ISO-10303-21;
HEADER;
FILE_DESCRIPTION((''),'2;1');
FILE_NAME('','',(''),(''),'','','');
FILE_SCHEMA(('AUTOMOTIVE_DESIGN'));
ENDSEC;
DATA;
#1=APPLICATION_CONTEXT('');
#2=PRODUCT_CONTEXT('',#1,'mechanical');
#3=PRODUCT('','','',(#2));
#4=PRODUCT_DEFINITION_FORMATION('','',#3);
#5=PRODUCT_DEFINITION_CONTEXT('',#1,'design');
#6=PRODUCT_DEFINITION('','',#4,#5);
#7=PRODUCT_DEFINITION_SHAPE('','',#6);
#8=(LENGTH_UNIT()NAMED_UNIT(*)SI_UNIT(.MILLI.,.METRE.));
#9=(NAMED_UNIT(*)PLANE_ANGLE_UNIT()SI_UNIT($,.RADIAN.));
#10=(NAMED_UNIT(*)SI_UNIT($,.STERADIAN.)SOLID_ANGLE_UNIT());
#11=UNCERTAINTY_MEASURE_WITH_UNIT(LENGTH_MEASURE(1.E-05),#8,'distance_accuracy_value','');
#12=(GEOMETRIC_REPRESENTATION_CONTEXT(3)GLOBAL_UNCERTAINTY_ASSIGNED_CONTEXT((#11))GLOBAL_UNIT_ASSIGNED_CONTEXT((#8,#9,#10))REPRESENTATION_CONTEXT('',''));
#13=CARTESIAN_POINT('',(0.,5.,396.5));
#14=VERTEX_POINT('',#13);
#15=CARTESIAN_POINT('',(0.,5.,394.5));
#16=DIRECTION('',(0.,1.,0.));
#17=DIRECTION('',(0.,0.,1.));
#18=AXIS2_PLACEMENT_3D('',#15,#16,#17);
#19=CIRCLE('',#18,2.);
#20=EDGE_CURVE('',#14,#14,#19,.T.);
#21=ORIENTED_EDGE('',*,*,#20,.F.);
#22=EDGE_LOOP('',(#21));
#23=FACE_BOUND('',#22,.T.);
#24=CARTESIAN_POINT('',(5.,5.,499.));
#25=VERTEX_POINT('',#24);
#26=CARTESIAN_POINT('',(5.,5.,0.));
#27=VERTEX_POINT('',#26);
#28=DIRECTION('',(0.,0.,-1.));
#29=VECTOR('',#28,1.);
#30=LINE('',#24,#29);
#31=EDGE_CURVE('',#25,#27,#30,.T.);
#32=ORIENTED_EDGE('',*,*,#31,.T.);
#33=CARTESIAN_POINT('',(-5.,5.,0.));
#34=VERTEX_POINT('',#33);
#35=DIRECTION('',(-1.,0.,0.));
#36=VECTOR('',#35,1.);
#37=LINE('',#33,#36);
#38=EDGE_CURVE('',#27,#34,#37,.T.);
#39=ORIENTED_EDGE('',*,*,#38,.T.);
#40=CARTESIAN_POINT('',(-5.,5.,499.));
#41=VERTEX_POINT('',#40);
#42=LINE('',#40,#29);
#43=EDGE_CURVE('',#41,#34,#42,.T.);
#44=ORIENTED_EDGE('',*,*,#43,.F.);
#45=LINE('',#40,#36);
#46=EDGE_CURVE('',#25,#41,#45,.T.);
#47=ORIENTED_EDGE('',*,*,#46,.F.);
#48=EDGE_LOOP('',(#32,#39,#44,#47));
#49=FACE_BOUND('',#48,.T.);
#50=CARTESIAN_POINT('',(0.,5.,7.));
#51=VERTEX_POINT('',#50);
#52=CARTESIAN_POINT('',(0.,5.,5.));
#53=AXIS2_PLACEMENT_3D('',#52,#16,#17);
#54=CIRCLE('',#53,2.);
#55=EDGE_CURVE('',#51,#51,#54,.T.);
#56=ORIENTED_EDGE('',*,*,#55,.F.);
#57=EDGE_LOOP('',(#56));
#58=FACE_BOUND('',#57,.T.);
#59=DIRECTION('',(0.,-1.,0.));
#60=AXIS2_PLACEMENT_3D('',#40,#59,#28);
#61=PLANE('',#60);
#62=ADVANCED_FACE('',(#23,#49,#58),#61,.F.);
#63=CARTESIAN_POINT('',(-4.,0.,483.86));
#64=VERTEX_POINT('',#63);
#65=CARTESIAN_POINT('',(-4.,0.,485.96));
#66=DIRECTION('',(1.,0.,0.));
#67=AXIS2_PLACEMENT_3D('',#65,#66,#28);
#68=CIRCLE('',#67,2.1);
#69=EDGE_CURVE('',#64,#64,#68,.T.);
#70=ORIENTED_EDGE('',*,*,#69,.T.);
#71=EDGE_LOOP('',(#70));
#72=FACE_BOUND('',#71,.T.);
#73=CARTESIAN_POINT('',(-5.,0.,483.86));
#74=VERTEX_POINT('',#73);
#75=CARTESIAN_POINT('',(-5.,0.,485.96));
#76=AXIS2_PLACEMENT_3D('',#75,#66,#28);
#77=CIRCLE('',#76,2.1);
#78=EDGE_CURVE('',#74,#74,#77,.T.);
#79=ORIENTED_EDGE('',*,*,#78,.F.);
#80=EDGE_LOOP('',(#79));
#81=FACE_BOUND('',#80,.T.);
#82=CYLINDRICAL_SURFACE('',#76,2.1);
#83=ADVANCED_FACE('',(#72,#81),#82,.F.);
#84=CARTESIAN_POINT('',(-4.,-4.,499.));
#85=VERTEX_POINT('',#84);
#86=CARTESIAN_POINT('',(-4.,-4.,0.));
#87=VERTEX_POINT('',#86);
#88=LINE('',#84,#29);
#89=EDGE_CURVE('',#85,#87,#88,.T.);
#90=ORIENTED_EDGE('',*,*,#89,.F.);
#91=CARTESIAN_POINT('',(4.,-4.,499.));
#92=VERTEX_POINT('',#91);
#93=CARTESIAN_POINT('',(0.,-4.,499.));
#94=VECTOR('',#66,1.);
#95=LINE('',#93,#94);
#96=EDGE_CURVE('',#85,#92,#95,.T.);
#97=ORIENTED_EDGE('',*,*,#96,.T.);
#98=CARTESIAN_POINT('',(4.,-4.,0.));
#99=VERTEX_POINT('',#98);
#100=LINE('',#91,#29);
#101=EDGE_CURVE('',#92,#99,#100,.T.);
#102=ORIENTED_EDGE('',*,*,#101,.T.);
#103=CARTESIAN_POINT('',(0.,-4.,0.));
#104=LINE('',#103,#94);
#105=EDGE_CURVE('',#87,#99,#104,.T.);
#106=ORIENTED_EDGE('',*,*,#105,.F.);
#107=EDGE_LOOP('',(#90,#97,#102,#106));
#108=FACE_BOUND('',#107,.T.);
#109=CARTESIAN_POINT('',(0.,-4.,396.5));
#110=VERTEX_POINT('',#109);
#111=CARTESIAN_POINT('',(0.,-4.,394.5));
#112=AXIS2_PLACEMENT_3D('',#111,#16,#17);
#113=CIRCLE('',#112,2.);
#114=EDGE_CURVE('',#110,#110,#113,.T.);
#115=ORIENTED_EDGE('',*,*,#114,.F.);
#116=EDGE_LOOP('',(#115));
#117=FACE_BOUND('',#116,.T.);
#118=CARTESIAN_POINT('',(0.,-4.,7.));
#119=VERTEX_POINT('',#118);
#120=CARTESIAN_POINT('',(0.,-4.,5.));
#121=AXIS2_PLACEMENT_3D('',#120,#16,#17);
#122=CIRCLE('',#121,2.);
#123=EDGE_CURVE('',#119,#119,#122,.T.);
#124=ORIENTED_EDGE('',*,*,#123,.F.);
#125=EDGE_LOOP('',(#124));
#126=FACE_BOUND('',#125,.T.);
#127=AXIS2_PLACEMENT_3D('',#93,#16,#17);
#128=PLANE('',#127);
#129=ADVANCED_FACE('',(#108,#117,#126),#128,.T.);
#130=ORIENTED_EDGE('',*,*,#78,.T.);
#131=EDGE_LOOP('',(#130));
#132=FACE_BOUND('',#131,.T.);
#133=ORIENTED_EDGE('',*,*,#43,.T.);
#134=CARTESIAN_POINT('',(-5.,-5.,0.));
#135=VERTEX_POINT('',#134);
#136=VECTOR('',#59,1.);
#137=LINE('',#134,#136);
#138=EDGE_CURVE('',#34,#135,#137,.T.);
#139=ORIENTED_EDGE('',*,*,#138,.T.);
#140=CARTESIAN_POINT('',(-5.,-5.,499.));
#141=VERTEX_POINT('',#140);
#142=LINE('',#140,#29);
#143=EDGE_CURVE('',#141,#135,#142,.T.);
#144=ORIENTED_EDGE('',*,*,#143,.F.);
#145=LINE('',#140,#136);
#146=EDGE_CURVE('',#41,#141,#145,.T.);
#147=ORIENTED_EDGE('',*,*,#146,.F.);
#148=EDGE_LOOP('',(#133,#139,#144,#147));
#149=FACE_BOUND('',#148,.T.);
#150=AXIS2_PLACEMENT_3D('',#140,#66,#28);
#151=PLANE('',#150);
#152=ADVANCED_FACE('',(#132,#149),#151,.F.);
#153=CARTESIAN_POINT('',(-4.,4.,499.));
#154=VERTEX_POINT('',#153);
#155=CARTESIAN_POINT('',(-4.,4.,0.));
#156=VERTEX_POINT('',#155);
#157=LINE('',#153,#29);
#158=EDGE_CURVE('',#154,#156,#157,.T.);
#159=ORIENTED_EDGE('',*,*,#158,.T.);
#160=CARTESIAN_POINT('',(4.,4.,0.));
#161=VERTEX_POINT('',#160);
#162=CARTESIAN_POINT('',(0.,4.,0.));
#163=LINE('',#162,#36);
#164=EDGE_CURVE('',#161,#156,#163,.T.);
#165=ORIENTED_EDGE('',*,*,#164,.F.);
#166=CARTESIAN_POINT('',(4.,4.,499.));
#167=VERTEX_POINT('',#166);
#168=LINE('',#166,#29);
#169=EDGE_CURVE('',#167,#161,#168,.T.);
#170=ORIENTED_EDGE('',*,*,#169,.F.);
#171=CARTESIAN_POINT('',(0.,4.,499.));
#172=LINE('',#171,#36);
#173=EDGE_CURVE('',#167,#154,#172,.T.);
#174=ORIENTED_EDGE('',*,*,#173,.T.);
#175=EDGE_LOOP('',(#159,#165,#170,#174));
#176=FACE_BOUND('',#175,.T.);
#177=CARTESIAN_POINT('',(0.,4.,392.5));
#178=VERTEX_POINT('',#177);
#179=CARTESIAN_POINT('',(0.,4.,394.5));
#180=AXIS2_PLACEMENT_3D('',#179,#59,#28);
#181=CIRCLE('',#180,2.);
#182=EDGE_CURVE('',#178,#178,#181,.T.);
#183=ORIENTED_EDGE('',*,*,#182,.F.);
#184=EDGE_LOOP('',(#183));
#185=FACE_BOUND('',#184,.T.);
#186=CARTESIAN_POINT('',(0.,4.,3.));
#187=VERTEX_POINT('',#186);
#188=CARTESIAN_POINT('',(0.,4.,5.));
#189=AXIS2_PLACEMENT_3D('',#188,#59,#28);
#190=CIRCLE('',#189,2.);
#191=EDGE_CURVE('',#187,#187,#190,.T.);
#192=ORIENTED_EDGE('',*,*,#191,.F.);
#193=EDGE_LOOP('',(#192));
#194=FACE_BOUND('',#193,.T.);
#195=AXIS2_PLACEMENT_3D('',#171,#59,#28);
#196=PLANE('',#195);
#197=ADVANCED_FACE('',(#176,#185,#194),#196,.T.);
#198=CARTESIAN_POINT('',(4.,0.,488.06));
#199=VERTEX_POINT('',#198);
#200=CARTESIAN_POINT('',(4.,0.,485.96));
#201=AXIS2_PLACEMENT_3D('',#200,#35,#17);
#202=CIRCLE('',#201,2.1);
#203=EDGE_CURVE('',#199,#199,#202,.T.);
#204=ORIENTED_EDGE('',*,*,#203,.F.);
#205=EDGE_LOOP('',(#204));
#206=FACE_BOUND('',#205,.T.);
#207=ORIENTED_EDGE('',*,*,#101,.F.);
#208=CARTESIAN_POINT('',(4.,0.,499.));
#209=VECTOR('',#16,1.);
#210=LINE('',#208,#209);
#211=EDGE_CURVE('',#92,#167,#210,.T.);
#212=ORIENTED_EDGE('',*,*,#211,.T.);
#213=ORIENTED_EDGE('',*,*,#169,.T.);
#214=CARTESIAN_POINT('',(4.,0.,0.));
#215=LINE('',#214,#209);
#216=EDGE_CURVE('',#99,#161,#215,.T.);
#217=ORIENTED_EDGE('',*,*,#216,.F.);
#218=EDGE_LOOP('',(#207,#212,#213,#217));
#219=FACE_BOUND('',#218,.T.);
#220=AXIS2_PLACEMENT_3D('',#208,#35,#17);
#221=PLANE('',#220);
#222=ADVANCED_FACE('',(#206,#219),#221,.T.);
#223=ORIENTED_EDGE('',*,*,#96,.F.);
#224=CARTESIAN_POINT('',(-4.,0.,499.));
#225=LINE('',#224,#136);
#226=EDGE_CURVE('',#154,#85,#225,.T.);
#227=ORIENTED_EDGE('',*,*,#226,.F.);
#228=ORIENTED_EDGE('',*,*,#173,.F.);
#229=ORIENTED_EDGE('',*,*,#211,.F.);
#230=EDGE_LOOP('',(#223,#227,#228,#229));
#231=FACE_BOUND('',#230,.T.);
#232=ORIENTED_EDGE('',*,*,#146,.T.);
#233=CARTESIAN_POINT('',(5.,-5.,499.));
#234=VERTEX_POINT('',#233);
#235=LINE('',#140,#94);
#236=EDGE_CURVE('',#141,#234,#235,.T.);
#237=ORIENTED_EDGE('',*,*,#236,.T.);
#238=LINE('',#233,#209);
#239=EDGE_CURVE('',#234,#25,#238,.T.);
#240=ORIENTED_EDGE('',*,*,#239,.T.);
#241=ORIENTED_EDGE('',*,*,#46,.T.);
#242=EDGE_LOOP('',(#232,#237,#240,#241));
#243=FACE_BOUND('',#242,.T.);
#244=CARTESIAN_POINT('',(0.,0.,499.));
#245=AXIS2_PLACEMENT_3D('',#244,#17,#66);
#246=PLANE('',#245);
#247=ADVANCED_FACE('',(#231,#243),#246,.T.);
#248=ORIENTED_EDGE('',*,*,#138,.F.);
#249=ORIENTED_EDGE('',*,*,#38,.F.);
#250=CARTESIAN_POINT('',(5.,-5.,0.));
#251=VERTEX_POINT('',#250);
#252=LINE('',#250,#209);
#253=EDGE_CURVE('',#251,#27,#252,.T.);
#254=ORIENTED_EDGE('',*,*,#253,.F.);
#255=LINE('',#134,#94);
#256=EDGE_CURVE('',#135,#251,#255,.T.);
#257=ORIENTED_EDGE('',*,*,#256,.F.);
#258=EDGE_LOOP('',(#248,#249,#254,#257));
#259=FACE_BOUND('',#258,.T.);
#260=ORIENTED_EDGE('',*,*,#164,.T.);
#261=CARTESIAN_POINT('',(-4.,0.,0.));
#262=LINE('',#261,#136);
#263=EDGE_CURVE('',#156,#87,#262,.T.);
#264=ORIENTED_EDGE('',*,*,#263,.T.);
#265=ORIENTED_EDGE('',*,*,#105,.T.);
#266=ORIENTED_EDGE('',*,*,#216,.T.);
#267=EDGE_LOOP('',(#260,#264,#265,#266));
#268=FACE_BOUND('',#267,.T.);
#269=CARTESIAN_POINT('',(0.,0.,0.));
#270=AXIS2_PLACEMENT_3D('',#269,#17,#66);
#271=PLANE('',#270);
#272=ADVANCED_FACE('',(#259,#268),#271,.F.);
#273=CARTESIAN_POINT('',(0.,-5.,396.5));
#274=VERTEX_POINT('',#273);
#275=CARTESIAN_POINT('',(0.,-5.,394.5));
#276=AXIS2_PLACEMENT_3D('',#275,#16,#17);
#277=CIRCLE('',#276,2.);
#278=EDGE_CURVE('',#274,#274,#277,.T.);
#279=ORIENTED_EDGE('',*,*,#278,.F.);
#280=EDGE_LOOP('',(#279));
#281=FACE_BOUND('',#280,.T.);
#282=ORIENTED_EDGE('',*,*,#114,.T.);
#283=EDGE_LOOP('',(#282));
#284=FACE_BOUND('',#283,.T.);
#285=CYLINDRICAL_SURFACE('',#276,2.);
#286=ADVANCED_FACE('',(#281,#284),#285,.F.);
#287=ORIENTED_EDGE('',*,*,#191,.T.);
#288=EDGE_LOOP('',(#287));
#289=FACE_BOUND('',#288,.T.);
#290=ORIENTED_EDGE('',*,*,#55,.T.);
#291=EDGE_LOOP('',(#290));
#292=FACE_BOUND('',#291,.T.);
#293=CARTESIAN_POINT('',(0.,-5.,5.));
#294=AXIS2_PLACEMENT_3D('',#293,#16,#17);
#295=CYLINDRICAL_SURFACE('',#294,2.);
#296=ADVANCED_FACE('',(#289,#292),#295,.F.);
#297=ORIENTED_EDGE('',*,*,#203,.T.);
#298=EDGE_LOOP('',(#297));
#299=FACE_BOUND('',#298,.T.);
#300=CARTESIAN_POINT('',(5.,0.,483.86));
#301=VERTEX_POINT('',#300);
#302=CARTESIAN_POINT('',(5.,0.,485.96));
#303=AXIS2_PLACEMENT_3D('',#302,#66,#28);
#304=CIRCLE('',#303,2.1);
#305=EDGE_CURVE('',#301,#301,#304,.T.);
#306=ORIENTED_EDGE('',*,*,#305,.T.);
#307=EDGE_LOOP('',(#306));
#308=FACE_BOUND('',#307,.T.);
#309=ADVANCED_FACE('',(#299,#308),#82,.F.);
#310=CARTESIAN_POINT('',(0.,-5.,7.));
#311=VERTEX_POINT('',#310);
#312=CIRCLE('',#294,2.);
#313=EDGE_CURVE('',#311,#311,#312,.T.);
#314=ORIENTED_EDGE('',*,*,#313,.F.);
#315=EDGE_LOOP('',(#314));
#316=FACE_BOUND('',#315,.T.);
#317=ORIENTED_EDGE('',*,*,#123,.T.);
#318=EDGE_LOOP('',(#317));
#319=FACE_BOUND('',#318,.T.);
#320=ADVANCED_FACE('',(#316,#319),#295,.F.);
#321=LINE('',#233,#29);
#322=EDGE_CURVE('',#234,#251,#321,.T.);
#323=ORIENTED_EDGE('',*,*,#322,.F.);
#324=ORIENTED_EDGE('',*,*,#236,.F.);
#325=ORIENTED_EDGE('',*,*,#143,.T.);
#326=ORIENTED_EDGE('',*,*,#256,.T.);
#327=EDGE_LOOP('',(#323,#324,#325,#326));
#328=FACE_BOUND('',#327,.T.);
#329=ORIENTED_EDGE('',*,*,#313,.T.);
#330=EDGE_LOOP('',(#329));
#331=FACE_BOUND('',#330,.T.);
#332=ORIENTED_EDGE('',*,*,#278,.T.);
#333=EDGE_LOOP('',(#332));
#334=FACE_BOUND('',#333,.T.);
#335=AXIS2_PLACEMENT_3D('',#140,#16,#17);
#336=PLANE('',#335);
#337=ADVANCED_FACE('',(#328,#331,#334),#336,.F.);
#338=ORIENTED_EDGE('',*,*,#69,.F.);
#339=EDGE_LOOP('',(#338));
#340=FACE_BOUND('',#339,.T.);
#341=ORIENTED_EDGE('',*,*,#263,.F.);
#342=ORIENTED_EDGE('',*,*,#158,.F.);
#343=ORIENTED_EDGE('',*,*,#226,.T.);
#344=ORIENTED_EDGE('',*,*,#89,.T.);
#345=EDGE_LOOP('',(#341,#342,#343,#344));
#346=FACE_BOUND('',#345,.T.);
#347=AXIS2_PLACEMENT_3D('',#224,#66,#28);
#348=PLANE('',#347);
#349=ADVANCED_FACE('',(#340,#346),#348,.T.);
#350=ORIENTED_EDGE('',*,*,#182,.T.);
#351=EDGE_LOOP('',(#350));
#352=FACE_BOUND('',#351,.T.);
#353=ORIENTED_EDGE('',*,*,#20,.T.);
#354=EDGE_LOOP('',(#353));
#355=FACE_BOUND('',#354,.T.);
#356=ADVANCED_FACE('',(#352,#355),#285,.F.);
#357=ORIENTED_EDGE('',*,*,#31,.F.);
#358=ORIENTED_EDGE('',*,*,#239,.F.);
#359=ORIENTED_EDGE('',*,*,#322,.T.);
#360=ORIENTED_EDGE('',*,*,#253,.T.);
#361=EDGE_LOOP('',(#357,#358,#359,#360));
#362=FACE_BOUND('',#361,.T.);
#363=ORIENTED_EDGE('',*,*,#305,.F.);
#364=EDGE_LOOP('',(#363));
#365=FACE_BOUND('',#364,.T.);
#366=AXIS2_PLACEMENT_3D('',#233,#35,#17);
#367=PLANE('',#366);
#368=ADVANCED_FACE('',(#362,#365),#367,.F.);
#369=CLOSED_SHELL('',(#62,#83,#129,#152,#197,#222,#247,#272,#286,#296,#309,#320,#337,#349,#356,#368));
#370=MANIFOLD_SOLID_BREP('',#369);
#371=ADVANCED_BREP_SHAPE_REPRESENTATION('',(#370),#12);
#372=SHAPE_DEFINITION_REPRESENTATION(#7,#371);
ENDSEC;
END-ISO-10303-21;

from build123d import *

# Parameters (mm, degrees)
SKETCH_1_W          = 10
SKETCH_1_H          = 10
SKETCH_1_W_2        = 8
SKETCH_1_H_2        = 8
EXTRUDE_1_DEPTH     = 499
SKETCH_2_R          = 2
CUT_EXTRUDE_1_DEPTH = 500.125234786
SKETCH_3_R          = 2.1
CUT_EXTRUDE_2_DEPTH = 500.125234786


with BuildPart() as part:
    # ｽｹｯﾁ1 → 押し出し-薄板1 (new body)
    with BuildSketch(Plane.XY):
        Rectangle(SKETCH_1_W, SKETCH_1_H)
        Rectangle(SKETCH_1_W_2, SKETCH_1_H_2, mode=Mode.SUBTRACT)
    extrude(amount=EXTRUDE_1_DEPTH)

    # ｽｹｯﾁ2 → ｶｯﾄ - 押し出し1 (cut, through all)
    with BuildSketch(Plane(origin=(0, 5, 0), x_dir=(1, 0, 0), z_dir=(0, 1, 0))):
        with Locations(Location((0, -5, 0), (0, 0, 270))):
            Circle(SKETCH_2_R)
        with Locations(Location((0, -394.5, 0), (0, 0, 270))):
            Circle(SKETCH_2_R)
    extrude(amount=-CUT_EXTRUDE_1_DEPTH, mode=Mode.SUBTRACT)

    # ｽｹｯﾁ3 → ｶｯﾄ - 押し出し2 (cut, through all)
    with BuildSketch(Plane(origin=(5, 0, 0), x_dir=(0, 0, -1), z_dir=(1, 0, 0))):
        with Locations((-485.96, 0)):
            Circle(SKETCH_3_R)
    extrude(amount=-CUT_EXTRUDE_2_DEPTH, mode=Mode.SUBTRACT)


solid = part.part
